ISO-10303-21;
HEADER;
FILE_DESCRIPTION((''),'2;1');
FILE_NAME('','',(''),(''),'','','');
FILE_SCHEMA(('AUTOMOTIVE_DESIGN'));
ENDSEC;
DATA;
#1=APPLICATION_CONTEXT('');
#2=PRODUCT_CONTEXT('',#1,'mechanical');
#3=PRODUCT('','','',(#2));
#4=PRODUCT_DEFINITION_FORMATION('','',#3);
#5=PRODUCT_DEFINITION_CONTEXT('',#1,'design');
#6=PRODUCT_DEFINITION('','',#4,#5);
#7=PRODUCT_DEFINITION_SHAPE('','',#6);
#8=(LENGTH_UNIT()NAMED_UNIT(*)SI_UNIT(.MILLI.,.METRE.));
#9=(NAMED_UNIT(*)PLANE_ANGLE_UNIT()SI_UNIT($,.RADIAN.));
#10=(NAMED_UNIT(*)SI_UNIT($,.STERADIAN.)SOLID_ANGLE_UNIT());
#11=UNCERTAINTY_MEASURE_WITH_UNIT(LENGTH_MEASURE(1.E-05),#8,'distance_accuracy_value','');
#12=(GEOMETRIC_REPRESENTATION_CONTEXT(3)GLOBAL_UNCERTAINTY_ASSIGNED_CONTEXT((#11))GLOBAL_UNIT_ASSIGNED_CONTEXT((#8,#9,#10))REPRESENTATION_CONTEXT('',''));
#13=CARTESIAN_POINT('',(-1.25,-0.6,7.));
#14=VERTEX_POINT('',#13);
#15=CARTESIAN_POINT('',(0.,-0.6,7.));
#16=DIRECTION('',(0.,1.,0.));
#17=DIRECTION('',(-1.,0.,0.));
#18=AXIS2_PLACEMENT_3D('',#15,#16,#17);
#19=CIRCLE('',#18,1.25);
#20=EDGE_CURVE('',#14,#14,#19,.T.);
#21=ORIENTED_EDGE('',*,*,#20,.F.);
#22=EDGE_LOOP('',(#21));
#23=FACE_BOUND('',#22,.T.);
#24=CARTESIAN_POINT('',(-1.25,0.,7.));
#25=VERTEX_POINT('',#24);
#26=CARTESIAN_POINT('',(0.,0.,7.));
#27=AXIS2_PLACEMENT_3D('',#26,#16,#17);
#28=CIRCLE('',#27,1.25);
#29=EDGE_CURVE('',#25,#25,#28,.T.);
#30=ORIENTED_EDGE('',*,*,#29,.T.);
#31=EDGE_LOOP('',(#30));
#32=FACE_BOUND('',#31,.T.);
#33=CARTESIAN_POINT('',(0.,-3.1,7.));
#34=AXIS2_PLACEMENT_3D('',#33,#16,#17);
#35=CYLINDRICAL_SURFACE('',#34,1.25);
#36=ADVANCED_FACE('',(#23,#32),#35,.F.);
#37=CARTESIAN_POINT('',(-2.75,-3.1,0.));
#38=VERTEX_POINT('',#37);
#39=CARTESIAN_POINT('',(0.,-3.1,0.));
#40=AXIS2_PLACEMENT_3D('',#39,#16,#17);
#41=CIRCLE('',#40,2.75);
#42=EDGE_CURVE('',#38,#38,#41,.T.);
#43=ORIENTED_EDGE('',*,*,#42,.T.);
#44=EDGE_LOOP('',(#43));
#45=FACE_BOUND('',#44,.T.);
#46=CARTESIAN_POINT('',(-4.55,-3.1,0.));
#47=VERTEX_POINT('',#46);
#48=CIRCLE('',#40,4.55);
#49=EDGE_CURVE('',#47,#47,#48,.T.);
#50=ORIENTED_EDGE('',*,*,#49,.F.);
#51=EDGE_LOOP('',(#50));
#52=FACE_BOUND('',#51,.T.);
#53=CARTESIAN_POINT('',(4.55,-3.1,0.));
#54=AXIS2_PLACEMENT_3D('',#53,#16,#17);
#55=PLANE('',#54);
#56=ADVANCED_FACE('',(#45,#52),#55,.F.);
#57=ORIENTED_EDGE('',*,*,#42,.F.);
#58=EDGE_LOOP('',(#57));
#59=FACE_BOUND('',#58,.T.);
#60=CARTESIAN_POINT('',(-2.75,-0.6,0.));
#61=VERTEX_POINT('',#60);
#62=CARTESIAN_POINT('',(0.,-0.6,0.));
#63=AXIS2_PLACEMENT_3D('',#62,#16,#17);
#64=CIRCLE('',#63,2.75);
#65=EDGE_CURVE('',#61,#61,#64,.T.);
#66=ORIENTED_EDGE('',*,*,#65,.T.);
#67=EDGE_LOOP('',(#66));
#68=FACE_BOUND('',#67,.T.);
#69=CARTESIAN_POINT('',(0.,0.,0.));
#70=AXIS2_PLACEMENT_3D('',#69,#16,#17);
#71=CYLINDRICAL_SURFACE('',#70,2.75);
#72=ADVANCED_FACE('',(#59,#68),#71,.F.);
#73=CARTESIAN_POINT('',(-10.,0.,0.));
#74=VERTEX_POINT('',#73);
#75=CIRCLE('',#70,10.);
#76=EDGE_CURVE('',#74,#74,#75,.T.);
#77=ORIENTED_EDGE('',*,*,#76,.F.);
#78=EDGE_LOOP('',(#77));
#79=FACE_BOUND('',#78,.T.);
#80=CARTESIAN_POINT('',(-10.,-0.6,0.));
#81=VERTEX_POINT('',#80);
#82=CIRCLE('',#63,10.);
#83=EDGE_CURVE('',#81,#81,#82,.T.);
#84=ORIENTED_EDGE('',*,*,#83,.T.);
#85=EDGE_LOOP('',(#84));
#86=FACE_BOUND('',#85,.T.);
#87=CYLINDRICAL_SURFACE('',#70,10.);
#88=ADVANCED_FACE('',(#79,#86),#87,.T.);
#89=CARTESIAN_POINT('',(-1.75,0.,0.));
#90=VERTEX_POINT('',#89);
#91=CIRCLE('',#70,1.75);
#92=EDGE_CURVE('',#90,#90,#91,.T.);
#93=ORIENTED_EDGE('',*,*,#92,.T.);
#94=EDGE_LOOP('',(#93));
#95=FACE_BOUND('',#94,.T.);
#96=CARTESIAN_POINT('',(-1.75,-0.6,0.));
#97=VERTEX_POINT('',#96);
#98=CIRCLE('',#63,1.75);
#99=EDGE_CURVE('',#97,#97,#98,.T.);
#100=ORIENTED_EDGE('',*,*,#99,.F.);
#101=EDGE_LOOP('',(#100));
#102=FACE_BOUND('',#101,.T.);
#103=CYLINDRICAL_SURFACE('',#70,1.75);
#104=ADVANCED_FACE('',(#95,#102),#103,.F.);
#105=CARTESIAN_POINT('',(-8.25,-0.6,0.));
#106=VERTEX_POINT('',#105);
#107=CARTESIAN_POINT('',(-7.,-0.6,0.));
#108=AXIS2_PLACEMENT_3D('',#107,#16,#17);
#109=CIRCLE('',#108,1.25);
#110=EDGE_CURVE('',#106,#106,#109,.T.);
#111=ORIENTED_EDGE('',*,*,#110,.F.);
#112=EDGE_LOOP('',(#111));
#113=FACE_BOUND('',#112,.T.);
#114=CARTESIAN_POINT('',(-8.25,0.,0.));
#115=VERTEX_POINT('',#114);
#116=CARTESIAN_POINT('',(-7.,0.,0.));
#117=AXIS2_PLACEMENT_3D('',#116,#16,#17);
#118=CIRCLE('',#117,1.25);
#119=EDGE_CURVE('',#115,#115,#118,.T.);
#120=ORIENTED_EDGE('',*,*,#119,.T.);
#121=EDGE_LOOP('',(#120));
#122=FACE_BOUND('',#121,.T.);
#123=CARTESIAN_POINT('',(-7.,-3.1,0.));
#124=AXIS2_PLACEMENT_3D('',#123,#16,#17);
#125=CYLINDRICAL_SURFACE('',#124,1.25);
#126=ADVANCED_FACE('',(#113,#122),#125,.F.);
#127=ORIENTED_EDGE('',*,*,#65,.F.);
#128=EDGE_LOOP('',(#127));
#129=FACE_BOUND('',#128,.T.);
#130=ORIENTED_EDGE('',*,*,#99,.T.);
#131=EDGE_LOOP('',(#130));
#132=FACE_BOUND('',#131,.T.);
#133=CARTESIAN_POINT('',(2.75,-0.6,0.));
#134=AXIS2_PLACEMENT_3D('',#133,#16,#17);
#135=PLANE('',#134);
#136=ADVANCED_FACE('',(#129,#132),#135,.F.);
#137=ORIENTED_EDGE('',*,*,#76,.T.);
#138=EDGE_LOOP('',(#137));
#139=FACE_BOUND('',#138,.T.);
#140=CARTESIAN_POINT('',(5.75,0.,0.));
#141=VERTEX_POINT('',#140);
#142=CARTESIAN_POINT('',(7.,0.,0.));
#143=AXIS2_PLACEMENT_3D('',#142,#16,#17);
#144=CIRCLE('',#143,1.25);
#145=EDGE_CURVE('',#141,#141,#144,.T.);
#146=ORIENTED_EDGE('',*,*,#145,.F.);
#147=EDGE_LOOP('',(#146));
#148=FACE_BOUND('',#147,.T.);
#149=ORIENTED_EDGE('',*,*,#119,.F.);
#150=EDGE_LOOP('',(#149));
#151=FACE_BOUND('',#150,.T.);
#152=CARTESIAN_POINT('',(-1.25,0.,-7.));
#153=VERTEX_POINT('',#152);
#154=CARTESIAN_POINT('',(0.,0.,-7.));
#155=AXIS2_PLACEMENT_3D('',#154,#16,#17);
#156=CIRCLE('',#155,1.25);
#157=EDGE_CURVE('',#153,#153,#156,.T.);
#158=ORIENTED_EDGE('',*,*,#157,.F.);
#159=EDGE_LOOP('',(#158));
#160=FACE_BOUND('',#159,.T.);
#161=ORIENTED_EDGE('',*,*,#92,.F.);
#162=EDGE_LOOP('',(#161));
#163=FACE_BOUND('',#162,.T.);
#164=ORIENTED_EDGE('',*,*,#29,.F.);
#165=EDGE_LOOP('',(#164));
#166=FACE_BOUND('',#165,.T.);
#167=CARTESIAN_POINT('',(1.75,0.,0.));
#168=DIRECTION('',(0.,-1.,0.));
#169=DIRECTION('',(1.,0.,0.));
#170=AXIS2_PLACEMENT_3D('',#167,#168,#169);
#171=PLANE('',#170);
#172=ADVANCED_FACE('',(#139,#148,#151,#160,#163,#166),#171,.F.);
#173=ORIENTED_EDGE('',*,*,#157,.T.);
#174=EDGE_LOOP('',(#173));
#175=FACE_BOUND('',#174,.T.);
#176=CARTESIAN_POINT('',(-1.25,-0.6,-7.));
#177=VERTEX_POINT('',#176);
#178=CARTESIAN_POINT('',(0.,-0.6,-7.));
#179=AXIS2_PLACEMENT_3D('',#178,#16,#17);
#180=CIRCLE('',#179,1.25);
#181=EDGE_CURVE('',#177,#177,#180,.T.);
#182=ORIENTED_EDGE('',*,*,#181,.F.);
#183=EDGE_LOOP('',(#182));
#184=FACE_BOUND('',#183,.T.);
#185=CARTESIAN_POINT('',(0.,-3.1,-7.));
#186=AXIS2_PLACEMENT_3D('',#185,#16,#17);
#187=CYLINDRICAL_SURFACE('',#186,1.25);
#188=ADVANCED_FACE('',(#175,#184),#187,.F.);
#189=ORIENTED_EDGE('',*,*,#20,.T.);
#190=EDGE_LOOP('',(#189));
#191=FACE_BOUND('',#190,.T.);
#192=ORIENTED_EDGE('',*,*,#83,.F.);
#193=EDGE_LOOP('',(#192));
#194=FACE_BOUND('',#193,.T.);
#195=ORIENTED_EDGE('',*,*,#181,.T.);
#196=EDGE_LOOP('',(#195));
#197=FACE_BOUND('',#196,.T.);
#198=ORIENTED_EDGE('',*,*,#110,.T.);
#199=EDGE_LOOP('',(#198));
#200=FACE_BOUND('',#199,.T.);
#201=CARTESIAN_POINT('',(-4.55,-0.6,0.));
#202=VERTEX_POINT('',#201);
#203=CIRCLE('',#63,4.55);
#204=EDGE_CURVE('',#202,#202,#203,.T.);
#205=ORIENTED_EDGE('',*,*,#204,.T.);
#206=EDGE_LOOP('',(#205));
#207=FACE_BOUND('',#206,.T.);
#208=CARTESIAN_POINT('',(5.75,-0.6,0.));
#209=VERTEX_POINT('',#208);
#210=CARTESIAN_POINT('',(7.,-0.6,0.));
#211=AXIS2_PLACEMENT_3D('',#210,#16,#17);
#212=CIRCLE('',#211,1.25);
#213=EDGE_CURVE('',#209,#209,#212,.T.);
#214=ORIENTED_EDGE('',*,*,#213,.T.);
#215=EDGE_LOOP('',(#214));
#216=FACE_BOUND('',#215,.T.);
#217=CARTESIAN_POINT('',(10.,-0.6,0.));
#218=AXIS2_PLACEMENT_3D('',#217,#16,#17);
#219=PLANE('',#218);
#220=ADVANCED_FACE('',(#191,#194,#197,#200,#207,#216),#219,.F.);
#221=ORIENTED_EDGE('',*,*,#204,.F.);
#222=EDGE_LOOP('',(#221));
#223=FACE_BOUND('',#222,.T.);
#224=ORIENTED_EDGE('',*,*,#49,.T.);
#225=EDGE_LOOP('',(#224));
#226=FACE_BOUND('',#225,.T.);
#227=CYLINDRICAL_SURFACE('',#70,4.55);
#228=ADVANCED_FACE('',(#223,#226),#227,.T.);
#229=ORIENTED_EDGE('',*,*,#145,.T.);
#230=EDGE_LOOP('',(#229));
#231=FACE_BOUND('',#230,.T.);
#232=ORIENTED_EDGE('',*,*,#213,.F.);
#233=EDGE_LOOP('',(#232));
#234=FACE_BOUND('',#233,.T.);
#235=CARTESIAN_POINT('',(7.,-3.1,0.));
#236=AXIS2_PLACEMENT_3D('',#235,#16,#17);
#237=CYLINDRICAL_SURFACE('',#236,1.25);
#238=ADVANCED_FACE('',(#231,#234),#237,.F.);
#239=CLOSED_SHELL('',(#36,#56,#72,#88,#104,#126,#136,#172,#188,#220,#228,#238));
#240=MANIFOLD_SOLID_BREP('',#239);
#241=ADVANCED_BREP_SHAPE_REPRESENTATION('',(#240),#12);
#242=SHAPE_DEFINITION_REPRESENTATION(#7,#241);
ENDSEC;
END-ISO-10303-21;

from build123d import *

# Parameters (mm, degrees)
SKETCH3_R          = 1.25
CUT_EXTRUDE1_DEPTH = 15.477914214


with BuildPart() as part:
    # Sketch2 → Revolve1 (revolve)
    with BuildSketch(Plane.XY, mode=Mode.PRIVATE) as revolve1_sk:
        Polygon((1.75, 0), (10, 0), (10, -0.6), (4.55, -0.6), (4.55, -3.1), (2.75, -3.1), (2.75, -0.6), (1.75, -0.6), align=None)
    revolve(revolve1_sk.sketch.rotate(Axis((0, 0, 0), (0, -1, 0)), 180), axis=Axis((0, 0, 0), (0, -1, 0)))

    # Sketch3 → Cut-Extrude1 (cut, through all)
    with BuildSketch(Plane(origin=(0, 0, 0), x_dir=(1, 0, 0), z_dir=(0, 1, 0))):
        with Locations(Location((0, 7, 0), (0, 0, 180))):
            Circle(SKETCH3_R)
        with Locations(Location((7, 0, 0), (0, 0, 180))):
            Circle(SKETCH3_R)
        with Locations(Location((0, -7, 0), (0, 0, 180))):
            Circle(SKETCH3_R)
        with Locations(Location((-7, 0, 0), (0, 0, 180))):
            Circle(SKETCH3_R)
    extrude(amount=-CUT_EXTRUDE1_DEPTH, mode=Mode.SUBTRACT)


solid = part.part
